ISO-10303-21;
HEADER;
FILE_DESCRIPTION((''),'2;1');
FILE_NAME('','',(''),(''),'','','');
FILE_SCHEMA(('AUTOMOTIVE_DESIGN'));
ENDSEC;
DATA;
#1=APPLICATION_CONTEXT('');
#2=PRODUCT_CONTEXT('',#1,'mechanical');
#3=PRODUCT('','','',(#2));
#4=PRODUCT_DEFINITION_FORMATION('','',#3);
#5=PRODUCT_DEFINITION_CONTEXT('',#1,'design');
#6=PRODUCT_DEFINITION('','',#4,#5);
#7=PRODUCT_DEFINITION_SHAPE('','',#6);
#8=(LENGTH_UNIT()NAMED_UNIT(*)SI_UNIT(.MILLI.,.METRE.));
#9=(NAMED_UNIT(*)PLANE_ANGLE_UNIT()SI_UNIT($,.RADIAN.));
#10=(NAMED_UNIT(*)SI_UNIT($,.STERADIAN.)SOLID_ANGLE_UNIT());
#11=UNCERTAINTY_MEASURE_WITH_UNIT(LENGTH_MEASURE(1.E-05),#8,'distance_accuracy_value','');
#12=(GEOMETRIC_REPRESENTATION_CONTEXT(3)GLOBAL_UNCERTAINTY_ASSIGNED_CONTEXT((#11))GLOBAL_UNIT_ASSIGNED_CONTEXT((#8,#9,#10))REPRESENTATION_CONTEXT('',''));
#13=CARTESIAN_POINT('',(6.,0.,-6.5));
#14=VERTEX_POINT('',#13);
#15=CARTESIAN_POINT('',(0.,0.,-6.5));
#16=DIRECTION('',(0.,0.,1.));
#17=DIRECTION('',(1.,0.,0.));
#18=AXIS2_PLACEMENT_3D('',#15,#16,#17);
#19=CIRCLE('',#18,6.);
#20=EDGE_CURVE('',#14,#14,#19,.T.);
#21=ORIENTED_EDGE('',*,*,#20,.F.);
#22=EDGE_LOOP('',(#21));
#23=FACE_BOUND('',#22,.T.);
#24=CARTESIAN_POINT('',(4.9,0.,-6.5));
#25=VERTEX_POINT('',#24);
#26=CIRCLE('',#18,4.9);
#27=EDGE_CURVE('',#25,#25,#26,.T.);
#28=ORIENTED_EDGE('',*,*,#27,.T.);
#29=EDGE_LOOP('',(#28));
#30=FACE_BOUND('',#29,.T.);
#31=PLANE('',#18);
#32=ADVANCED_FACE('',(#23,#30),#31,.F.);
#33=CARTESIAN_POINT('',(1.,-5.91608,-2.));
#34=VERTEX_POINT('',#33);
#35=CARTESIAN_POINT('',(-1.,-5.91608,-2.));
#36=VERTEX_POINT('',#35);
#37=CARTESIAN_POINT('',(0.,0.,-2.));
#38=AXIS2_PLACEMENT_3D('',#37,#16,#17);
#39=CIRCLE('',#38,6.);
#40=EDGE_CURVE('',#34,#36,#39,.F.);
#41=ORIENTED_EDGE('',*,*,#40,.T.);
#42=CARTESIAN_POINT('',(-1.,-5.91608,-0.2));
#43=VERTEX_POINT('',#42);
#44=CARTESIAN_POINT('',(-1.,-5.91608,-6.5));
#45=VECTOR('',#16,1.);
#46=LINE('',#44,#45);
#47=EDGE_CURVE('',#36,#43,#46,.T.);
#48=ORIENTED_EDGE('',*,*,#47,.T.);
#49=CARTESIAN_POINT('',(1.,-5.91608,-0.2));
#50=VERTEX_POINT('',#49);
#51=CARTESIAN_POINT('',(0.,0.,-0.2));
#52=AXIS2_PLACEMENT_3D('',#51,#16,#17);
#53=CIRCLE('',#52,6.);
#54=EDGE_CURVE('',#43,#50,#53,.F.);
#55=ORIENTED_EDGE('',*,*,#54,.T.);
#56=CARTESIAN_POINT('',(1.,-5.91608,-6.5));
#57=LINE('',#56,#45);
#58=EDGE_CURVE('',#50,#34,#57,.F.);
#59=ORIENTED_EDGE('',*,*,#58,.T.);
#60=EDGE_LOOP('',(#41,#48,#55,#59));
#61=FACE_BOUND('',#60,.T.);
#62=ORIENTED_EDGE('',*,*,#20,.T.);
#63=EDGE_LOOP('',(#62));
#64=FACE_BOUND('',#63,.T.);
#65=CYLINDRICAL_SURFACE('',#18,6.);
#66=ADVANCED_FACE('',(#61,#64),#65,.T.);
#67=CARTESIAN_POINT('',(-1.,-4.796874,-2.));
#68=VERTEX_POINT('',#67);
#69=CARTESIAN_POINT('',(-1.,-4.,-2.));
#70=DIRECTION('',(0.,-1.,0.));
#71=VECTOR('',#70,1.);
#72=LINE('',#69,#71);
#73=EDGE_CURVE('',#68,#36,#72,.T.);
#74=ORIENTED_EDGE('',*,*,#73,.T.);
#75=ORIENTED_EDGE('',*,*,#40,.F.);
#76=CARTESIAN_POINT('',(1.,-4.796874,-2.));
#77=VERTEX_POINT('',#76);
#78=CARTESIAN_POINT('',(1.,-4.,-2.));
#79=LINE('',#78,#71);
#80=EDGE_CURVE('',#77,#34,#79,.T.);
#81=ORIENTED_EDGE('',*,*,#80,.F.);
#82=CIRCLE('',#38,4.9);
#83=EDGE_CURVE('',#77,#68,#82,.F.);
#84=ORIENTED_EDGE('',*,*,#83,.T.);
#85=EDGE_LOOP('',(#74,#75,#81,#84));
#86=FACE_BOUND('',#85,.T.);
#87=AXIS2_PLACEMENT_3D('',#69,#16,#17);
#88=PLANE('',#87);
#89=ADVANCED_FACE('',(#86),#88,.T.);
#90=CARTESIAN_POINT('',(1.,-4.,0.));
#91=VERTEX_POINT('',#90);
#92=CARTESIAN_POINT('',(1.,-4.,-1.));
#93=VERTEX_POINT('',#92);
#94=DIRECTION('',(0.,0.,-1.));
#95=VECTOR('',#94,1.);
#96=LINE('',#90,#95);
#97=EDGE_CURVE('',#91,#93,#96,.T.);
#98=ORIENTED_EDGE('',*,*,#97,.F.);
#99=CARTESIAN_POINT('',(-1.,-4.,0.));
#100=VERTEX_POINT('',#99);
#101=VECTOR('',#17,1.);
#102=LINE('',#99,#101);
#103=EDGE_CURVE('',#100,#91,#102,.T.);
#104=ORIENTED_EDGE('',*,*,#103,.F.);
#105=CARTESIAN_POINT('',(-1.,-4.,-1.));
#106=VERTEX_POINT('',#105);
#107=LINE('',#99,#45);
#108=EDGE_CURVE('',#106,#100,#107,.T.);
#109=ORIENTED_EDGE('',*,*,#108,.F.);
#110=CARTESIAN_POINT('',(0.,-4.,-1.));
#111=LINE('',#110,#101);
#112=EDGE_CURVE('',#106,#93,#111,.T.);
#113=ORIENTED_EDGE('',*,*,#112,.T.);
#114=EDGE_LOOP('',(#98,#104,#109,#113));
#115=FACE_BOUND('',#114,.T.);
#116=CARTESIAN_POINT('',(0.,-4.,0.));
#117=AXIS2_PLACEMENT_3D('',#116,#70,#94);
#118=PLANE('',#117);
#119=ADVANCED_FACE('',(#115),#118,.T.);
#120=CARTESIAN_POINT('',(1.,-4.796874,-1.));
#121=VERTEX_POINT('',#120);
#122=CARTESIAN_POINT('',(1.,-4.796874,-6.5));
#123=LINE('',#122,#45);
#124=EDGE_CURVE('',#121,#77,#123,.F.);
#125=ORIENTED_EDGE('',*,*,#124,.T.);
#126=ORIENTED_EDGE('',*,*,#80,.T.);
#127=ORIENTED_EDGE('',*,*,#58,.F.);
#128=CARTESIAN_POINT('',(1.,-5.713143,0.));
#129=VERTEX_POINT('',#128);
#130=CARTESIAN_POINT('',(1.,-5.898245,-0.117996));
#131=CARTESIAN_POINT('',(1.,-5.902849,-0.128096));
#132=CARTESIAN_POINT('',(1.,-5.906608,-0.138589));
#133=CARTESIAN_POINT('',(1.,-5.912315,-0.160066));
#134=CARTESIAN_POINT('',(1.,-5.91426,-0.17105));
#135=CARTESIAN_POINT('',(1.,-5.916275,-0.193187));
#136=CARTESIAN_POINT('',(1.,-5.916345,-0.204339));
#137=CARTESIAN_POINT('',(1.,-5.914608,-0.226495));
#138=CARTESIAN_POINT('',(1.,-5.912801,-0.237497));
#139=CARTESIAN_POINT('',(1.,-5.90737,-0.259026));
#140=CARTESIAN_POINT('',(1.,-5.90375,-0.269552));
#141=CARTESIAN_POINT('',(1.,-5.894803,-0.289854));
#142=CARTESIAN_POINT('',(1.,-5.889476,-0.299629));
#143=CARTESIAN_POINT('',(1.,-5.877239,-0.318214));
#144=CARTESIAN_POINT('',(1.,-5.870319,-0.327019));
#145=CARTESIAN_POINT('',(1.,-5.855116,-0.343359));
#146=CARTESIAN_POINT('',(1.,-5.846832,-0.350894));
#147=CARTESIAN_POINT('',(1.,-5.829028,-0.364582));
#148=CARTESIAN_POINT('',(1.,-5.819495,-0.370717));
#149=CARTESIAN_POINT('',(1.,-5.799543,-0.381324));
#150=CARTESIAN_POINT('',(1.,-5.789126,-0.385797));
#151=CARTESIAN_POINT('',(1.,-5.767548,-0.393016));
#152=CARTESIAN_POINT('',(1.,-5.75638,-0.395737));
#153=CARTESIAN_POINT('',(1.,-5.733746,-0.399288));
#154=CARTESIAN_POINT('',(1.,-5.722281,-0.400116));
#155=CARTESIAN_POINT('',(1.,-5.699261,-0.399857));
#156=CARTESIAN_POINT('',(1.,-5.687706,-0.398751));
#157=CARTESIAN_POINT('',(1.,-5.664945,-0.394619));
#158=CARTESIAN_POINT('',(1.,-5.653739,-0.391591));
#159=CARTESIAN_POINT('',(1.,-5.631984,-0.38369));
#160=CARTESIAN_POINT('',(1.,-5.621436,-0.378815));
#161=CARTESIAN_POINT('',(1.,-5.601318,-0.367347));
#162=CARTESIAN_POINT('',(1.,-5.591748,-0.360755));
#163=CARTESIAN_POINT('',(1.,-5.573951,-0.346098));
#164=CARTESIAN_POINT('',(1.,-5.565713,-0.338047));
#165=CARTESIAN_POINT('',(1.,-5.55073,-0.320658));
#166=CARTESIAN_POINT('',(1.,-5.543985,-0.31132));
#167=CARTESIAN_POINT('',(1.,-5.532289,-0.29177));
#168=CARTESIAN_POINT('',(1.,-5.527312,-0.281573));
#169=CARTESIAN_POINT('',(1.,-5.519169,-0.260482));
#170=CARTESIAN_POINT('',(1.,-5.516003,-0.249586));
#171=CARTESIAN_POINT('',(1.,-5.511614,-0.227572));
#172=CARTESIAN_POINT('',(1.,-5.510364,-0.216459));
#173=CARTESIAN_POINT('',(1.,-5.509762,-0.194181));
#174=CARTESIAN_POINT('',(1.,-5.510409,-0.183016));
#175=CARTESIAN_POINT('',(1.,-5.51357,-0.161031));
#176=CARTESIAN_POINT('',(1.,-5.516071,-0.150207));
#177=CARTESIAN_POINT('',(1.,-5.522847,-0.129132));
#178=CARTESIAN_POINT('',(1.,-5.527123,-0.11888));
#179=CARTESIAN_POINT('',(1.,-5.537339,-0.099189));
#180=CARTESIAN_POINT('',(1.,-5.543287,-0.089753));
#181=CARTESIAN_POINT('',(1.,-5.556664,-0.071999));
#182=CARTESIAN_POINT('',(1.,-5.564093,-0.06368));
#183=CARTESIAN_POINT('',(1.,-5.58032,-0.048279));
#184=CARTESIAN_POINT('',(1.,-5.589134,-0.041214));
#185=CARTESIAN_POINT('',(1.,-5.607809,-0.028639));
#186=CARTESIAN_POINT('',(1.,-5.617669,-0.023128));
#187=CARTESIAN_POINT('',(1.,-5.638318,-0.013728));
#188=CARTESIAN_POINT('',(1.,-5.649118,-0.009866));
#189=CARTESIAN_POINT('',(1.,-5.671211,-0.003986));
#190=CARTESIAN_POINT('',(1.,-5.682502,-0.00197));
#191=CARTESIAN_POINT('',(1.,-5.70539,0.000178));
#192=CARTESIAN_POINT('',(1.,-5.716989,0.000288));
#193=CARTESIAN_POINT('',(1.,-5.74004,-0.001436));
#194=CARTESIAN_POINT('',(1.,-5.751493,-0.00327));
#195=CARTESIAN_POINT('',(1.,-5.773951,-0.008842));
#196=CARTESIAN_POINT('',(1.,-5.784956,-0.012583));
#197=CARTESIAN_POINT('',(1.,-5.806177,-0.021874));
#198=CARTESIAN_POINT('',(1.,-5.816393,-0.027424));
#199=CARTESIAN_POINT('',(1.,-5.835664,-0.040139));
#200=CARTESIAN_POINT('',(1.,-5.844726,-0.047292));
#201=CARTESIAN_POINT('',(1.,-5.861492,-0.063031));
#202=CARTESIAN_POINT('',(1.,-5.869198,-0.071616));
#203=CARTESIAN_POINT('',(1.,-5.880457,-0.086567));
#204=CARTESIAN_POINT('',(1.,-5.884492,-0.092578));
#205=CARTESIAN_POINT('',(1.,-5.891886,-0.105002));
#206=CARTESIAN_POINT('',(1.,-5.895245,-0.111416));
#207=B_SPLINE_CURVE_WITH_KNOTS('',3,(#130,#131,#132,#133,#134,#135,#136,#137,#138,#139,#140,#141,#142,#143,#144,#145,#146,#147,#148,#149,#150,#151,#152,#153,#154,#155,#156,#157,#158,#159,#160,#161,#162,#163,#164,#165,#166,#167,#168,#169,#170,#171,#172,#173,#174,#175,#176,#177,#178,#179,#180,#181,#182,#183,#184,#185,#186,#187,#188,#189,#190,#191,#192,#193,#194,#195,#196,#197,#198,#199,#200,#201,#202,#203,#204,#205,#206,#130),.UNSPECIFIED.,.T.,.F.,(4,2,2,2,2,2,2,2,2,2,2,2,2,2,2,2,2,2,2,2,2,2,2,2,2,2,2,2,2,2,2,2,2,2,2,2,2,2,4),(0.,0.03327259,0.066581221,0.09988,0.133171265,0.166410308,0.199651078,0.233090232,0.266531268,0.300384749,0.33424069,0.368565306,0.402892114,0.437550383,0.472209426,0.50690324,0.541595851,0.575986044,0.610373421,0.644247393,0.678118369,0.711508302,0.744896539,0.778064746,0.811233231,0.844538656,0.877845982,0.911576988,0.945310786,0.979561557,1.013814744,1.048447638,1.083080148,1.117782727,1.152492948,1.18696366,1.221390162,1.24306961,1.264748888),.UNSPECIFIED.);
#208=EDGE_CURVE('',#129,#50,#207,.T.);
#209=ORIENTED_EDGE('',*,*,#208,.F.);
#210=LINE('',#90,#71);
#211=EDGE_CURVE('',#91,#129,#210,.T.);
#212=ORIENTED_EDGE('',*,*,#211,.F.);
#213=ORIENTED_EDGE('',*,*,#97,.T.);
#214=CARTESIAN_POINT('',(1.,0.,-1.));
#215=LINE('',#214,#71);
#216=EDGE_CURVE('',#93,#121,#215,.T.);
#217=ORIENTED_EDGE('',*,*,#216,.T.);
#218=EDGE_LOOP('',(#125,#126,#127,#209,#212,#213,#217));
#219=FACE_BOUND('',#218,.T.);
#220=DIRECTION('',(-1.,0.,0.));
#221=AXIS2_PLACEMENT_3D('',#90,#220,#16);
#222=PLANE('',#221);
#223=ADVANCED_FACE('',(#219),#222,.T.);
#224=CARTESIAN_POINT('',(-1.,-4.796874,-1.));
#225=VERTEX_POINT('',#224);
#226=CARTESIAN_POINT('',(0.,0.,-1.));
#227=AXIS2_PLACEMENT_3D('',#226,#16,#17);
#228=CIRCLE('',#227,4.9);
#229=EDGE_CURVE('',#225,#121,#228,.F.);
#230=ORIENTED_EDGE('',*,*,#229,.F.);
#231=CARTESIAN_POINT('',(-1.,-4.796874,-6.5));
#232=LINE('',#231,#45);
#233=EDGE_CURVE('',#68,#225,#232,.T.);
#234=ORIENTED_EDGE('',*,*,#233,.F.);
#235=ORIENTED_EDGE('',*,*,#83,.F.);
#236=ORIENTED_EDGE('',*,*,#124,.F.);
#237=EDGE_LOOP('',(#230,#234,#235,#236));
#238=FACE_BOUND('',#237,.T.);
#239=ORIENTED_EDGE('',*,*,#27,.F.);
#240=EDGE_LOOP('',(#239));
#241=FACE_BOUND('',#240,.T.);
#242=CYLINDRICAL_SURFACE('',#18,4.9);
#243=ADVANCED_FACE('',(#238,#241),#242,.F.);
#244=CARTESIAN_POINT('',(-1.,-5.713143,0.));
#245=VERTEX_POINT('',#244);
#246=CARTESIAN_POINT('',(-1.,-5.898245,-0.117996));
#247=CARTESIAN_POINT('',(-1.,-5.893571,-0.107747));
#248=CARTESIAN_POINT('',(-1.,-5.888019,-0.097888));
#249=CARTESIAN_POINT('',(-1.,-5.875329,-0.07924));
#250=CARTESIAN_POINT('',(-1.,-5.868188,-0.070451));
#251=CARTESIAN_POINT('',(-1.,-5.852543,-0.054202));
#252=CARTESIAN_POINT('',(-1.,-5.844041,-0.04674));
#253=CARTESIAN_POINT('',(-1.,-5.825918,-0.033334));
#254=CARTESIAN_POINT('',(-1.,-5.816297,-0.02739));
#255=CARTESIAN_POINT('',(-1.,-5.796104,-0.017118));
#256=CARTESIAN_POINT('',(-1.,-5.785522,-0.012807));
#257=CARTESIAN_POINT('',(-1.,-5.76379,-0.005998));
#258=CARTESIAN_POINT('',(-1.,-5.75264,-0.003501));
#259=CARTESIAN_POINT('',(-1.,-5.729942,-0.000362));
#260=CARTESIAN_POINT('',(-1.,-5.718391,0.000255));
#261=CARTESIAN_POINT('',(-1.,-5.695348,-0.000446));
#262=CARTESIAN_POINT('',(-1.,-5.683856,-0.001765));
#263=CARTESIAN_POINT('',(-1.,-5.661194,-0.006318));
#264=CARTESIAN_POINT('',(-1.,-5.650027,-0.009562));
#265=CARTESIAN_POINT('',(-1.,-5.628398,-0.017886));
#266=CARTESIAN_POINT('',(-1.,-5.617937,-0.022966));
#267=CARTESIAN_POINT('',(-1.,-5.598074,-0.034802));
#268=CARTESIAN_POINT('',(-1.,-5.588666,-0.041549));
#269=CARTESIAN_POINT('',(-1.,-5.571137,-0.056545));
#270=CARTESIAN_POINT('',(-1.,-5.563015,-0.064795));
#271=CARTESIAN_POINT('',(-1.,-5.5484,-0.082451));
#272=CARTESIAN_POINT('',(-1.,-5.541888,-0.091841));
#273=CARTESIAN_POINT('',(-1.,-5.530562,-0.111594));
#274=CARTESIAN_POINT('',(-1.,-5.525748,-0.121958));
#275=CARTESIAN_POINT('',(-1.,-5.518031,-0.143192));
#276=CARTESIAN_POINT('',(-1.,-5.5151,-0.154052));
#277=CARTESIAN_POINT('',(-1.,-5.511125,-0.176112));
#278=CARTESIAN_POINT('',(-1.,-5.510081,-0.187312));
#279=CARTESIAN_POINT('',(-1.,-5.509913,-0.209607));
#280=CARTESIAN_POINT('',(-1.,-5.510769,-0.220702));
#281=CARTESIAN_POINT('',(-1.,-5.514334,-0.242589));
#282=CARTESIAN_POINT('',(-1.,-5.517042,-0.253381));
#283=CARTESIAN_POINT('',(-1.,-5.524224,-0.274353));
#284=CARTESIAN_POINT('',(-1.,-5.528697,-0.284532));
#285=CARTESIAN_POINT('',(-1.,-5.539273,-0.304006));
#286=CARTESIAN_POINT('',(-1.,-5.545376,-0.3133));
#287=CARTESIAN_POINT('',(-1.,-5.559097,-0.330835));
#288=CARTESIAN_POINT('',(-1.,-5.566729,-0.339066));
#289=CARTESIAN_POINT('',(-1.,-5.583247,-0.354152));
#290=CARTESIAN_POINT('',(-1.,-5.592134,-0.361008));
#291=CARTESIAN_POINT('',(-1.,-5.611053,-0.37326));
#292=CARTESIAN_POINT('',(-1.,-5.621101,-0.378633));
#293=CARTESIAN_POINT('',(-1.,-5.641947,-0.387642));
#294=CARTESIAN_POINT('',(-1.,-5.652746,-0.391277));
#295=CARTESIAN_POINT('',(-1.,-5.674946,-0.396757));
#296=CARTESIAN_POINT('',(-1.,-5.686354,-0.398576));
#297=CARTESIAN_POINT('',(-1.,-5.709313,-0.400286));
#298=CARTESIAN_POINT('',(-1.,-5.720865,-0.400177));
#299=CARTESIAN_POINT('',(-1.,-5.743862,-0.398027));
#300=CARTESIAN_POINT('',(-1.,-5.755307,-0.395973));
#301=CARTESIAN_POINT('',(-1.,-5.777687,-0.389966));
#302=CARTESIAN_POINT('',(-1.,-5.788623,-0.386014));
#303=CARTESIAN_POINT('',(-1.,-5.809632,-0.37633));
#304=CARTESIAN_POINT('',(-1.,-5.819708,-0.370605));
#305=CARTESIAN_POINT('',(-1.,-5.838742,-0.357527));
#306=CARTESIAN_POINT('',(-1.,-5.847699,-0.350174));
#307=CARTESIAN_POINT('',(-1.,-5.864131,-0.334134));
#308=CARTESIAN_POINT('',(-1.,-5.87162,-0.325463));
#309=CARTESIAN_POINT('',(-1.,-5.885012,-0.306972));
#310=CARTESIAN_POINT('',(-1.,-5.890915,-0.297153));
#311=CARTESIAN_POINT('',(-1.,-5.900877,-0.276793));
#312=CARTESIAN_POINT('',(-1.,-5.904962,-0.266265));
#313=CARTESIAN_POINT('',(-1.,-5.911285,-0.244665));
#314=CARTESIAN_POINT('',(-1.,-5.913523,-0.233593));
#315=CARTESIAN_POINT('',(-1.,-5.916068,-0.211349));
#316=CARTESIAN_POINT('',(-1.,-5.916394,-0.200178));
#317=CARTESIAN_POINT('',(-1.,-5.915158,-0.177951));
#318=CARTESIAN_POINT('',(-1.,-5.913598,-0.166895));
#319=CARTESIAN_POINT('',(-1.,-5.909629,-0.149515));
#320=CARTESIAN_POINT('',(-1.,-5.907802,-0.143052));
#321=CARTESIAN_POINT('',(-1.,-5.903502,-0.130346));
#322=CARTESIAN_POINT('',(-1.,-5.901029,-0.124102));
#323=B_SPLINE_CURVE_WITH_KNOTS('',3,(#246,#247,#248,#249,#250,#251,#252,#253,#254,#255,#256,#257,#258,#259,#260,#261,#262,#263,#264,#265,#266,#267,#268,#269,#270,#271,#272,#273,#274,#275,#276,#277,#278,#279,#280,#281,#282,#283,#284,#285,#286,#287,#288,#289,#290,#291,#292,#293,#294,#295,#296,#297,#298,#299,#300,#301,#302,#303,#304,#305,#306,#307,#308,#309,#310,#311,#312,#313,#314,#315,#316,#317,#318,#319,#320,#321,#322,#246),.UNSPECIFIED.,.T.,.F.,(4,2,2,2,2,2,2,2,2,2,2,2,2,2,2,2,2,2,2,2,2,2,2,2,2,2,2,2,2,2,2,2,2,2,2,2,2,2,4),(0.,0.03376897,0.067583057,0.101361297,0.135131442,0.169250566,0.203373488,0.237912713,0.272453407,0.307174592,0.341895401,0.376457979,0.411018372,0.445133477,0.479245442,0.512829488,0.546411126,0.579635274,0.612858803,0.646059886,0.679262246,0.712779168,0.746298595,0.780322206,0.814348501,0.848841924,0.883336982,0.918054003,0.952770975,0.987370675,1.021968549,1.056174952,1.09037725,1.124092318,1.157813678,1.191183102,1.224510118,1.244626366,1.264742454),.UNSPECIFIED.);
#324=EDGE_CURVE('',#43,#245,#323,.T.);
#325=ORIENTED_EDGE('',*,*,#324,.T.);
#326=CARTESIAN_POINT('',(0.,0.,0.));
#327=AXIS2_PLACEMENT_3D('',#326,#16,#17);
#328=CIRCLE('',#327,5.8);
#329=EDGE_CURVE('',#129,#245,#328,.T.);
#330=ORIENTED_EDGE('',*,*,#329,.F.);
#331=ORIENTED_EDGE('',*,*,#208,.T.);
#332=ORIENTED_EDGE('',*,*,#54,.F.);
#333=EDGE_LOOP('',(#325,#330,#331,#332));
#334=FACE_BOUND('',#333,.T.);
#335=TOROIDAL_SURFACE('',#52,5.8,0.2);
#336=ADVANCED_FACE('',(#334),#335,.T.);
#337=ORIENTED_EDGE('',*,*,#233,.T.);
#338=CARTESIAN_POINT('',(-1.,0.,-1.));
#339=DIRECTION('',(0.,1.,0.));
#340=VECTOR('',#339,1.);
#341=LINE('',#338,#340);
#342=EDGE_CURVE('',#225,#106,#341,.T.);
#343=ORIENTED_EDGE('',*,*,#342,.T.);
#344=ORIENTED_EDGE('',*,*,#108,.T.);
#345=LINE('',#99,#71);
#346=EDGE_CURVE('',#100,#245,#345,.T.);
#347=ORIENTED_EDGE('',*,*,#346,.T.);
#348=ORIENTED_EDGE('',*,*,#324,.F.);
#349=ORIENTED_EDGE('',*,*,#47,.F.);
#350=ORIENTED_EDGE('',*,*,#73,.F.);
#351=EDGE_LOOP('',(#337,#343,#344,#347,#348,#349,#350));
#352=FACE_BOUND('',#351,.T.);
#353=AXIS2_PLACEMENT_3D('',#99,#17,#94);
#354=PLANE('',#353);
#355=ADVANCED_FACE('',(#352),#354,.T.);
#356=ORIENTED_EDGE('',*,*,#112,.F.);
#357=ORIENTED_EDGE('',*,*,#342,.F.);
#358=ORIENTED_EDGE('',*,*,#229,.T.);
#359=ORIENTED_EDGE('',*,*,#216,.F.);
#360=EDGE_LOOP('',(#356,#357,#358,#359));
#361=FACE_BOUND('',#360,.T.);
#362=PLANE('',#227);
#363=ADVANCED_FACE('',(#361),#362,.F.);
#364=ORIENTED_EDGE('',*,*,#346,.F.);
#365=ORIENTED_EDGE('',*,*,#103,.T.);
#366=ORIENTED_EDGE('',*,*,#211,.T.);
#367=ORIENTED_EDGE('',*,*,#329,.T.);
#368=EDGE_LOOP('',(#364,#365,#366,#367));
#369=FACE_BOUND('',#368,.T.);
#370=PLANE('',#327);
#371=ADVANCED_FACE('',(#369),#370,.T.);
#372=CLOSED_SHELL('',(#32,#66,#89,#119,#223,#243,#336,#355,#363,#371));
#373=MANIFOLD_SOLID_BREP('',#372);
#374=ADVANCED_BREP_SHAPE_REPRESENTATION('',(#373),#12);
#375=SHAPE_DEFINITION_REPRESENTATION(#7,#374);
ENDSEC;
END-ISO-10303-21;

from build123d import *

# Parameters (mm, degrees)
SKETCH_1_R          = 6
SKETCH_1_R_2        = 4.9
EXTRUDE_1_DEPTH     = 6.5
SKETCH_1_2_R        = 4.9
EXTRUDE_2_DEPTH     = 1
FILLET_2_R          = 0.2
SKETCH_8_W          = 2
SKETCH_8_H          = 2
CUT_EXTRUDE_2_DEPTH = 2


with BuildPart() as part:
    # Sketch 1 → Extrude 1 (new body)
    with BuildSketch(Plane.XY):
        Circle(SKETCH_1_R)
        Circle(SKETCH_1_R_2, mode=Mode.SUBTRACT)
    extrude(amount=-EXTRUDE_1_DEPTH)

    # Sketch 1_2 → Extrude 2 (add)
    with BuildSketch(Plane.XY):
        Circle(SKETCH_1_2_R)
    extrude(amount=-EXTRUDE_2_DEPTH)

    # Fillet 2
    fillet_2_edges = [part.edges().sort_by_distance(p)[0] for p in [
        (-6, 0, 0),
    ]]
    fillet(fillet_2_edges, radius=FILLET_2_R)

    # Sketch 8 → Cut-Extrude 2 (cut)
    with BuildSketch(Plane(origin=(0, -6, 0), x_dir=(1, 0, 0), z_dir=(0, 1, 0))):
        with Locations((0, 1)):
            Rectangle(SKETCH_8_W, SKETCH_8_H)
    extrude(amount=CUT_EXTRUDE_2_DEPTH, mode=Mode.SUBTRACT)


solid = part.part
